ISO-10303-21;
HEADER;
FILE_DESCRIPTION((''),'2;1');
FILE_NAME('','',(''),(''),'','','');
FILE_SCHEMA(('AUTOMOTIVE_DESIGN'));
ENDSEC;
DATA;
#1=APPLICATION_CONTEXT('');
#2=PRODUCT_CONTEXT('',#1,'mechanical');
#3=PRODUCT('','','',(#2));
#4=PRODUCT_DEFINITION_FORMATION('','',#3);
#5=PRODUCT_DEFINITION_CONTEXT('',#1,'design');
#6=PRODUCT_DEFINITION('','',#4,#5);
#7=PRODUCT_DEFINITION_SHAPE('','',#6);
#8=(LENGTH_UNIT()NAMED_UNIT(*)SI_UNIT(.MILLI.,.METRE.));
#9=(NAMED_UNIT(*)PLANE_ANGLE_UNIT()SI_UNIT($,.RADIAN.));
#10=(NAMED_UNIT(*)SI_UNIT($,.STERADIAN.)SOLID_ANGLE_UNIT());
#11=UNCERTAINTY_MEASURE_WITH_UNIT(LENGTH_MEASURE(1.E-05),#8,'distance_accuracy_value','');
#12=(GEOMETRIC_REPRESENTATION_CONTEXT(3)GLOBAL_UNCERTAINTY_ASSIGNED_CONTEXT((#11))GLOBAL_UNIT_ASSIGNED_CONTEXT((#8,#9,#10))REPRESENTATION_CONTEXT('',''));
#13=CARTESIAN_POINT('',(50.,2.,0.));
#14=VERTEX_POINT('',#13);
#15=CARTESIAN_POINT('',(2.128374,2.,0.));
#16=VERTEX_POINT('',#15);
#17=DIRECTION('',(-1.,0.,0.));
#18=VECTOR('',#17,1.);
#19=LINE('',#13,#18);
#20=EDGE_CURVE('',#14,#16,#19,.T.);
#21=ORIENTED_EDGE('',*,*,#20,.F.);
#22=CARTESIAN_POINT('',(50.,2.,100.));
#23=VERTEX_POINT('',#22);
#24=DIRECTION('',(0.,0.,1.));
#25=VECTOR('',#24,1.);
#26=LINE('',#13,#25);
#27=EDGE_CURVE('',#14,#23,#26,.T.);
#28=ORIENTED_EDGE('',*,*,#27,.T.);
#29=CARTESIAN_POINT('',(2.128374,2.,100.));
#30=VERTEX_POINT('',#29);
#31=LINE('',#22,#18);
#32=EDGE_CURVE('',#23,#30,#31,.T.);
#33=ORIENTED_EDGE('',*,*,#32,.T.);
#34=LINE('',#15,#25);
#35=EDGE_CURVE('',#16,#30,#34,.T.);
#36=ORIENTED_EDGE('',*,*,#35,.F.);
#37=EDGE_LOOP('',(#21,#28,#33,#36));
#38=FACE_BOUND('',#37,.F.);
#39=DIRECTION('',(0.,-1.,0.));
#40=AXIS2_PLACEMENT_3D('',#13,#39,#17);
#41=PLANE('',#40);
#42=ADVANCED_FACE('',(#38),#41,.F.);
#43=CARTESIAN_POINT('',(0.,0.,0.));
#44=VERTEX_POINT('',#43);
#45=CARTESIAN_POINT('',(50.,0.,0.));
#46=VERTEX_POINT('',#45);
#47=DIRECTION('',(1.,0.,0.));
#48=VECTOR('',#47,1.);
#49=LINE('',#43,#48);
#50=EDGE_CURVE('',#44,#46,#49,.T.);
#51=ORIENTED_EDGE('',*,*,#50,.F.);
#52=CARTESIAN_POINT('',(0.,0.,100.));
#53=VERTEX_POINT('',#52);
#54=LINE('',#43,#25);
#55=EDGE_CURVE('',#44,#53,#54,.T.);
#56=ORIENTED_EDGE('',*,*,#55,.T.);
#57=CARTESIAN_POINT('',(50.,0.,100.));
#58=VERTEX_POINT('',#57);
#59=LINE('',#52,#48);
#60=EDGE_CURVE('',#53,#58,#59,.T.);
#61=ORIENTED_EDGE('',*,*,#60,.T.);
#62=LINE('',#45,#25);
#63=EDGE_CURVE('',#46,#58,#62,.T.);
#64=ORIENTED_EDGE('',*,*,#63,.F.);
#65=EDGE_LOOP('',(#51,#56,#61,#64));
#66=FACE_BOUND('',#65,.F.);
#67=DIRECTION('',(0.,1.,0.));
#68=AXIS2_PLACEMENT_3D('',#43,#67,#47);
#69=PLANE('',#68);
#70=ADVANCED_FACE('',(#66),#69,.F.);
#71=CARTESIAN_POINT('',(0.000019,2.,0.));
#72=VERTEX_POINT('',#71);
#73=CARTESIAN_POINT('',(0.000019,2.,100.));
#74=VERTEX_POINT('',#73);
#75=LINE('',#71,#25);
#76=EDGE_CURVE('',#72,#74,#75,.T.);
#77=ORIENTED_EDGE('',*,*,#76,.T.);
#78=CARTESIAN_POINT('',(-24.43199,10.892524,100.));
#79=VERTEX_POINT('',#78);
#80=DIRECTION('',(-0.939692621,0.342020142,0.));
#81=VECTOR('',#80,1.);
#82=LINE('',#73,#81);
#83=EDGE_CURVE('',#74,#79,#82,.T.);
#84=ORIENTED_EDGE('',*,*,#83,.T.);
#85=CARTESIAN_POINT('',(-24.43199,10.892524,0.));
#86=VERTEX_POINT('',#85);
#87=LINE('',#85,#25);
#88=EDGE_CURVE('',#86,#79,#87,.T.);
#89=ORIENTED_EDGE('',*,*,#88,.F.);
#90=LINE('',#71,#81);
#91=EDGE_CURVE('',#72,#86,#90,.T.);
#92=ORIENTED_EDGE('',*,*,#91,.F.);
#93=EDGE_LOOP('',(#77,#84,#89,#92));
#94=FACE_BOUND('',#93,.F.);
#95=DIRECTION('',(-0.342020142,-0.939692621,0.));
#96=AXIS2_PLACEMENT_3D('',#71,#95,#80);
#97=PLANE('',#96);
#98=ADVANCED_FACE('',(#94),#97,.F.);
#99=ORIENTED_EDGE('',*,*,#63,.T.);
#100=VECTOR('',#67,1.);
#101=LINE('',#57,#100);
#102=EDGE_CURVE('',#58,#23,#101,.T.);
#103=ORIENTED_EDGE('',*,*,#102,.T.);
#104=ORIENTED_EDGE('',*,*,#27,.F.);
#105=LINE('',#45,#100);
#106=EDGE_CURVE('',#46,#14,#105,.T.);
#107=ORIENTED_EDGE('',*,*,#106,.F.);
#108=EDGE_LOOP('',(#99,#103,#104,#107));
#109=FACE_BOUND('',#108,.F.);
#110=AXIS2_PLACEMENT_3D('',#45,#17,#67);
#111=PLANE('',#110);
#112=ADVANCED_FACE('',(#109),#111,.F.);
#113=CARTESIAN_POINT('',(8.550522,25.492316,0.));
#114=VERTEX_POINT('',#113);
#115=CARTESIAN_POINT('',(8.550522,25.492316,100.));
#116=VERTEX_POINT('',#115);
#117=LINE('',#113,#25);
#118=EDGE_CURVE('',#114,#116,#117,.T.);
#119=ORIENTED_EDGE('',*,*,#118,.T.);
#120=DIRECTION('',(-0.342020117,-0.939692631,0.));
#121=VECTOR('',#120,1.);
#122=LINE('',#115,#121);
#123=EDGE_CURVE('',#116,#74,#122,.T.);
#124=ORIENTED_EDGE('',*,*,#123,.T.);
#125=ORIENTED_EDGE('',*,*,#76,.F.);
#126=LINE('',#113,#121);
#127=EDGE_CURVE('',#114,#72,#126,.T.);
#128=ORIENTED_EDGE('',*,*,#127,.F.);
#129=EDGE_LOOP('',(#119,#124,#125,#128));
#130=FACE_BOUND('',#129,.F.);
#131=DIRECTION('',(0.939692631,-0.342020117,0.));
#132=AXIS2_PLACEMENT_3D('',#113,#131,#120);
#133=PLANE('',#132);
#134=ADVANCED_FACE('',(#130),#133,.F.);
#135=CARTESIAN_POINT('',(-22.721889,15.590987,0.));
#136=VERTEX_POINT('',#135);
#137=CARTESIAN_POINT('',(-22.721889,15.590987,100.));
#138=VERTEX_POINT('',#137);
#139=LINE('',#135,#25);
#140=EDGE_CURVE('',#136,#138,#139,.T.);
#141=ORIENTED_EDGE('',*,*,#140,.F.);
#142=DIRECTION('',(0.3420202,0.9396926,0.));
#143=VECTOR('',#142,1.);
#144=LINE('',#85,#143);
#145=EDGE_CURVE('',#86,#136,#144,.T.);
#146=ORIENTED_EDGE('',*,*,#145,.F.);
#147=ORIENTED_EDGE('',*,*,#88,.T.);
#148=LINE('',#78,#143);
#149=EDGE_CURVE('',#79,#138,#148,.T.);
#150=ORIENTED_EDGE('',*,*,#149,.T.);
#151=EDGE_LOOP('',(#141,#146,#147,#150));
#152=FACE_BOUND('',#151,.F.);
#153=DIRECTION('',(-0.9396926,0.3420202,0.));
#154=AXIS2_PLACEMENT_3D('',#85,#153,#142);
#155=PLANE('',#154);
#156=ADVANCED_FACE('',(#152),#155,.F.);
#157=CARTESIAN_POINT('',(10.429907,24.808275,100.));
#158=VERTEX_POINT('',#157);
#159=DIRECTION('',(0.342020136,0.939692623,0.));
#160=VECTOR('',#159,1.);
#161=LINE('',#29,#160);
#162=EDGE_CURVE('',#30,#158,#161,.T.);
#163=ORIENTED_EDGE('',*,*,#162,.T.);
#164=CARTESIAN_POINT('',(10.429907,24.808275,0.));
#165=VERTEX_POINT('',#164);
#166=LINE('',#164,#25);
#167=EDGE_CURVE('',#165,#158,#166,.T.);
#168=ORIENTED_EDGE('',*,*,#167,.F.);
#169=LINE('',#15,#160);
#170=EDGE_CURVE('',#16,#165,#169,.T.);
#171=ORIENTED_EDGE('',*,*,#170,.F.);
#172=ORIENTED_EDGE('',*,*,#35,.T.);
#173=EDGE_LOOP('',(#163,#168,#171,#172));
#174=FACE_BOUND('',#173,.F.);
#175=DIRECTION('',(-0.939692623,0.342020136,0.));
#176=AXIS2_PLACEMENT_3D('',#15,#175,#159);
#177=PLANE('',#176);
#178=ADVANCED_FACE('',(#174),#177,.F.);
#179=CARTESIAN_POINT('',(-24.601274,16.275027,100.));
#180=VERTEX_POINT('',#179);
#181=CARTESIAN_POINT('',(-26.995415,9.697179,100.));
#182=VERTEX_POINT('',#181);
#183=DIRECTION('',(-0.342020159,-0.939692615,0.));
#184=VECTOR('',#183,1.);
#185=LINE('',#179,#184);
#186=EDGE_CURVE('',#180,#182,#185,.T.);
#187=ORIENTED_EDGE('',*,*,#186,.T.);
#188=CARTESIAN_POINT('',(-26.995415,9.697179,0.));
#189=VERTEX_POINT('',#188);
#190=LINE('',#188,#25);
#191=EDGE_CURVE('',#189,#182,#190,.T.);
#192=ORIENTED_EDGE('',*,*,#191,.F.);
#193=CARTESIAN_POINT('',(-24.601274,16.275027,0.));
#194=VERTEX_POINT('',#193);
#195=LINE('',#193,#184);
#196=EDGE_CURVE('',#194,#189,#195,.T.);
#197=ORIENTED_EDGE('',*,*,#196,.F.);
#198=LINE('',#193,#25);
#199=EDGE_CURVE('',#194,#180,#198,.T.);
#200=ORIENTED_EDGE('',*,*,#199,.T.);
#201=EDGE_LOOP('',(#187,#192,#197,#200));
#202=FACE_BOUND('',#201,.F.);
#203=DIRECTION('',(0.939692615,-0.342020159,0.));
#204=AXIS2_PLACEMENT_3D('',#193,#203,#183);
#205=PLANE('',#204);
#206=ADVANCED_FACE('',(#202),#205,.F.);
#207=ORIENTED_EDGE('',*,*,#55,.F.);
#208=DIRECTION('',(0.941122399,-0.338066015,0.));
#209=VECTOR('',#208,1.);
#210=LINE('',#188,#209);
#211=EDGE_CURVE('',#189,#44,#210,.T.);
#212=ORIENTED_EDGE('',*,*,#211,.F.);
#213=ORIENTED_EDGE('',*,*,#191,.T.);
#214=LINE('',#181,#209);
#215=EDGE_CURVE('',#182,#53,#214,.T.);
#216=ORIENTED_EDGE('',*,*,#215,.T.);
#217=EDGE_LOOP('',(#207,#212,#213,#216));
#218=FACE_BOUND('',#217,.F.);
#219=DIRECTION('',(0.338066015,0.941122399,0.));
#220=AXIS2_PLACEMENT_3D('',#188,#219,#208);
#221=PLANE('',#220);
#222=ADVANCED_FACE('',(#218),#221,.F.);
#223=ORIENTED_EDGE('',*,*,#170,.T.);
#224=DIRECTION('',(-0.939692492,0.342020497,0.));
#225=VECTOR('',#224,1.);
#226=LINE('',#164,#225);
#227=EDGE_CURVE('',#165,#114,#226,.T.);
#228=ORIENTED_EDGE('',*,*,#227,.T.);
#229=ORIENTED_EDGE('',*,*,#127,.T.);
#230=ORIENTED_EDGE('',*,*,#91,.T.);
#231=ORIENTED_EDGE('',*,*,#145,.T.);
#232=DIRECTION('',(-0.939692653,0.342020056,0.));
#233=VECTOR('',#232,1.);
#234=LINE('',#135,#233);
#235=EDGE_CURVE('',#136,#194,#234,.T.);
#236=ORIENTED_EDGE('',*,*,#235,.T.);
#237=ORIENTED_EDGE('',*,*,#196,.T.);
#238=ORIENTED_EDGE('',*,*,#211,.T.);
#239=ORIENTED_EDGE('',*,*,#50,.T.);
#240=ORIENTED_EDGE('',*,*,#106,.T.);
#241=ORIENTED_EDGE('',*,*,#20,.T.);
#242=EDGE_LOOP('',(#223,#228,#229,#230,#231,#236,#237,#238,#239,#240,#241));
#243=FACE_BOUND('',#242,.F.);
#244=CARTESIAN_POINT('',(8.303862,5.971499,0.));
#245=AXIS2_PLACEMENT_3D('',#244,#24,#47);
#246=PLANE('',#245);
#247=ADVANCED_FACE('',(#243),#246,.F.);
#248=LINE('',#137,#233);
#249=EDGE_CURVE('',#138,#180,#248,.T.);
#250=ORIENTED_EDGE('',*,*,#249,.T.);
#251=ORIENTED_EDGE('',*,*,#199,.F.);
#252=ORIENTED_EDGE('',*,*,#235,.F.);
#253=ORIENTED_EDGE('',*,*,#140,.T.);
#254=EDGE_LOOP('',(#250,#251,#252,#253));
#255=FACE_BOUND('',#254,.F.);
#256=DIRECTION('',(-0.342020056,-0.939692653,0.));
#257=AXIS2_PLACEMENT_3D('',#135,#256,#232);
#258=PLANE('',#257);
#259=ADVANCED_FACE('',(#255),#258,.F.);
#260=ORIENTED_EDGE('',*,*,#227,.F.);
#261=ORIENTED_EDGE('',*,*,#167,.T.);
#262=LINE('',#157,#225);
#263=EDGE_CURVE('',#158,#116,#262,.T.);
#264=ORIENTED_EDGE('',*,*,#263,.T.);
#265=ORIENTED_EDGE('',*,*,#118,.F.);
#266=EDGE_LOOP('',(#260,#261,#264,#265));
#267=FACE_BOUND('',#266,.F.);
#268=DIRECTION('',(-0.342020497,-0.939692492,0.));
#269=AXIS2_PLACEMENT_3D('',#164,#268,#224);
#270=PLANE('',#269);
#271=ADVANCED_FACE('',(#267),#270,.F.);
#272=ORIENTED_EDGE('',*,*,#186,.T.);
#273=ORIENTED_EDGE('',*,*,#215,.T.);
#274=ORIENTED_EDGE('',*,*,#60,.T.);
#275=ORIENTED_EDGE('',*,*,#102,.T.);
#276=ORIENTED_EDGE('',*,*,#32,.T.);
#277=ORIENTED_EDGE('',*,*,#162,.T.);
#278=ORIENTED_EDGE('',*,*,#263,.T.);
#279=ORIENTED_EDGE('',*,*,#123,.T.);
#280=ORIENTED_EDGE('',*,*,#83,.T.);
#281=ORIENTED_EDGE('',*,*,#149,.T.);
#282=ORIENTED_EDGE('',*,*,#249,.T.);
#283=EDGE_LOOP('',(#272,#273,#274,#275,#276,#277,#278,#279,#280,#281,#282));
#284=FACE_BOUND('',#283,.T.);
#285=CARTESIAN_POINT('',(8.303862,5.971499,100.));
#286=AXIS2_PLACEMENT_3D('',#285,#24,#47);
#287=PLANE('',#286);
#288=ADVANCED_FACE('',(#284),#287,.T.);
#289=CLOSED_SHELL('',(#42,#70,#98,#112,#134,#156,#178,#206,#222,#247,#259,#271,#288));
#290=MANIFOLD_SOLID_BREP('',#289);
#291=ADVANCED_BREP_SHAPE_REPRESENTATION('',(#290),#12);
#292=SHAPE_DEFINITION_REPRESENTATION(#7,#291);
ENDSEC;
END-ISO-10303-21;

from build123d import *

# Parameters (mm, degrees)
PAD_DEPTH = 100


with BuildPart() as part:
    # Sketch → Pad (new body)
    with BuildSketch(Plane.XY):
        Polygon((0, 0), (50, 0), (50, 2), (2.128374, 2), (10.429907, 24.808275), (8.550522, 25.492316), (1.9e-05, 2), (-24.43199, 10.892524), (-22.721889, 15.590987), (-24.601274, 16.275027), (-26.995415, 9.697179), align=None)
    extrude(amount=PAD_DEPTH)


solid = part.part
